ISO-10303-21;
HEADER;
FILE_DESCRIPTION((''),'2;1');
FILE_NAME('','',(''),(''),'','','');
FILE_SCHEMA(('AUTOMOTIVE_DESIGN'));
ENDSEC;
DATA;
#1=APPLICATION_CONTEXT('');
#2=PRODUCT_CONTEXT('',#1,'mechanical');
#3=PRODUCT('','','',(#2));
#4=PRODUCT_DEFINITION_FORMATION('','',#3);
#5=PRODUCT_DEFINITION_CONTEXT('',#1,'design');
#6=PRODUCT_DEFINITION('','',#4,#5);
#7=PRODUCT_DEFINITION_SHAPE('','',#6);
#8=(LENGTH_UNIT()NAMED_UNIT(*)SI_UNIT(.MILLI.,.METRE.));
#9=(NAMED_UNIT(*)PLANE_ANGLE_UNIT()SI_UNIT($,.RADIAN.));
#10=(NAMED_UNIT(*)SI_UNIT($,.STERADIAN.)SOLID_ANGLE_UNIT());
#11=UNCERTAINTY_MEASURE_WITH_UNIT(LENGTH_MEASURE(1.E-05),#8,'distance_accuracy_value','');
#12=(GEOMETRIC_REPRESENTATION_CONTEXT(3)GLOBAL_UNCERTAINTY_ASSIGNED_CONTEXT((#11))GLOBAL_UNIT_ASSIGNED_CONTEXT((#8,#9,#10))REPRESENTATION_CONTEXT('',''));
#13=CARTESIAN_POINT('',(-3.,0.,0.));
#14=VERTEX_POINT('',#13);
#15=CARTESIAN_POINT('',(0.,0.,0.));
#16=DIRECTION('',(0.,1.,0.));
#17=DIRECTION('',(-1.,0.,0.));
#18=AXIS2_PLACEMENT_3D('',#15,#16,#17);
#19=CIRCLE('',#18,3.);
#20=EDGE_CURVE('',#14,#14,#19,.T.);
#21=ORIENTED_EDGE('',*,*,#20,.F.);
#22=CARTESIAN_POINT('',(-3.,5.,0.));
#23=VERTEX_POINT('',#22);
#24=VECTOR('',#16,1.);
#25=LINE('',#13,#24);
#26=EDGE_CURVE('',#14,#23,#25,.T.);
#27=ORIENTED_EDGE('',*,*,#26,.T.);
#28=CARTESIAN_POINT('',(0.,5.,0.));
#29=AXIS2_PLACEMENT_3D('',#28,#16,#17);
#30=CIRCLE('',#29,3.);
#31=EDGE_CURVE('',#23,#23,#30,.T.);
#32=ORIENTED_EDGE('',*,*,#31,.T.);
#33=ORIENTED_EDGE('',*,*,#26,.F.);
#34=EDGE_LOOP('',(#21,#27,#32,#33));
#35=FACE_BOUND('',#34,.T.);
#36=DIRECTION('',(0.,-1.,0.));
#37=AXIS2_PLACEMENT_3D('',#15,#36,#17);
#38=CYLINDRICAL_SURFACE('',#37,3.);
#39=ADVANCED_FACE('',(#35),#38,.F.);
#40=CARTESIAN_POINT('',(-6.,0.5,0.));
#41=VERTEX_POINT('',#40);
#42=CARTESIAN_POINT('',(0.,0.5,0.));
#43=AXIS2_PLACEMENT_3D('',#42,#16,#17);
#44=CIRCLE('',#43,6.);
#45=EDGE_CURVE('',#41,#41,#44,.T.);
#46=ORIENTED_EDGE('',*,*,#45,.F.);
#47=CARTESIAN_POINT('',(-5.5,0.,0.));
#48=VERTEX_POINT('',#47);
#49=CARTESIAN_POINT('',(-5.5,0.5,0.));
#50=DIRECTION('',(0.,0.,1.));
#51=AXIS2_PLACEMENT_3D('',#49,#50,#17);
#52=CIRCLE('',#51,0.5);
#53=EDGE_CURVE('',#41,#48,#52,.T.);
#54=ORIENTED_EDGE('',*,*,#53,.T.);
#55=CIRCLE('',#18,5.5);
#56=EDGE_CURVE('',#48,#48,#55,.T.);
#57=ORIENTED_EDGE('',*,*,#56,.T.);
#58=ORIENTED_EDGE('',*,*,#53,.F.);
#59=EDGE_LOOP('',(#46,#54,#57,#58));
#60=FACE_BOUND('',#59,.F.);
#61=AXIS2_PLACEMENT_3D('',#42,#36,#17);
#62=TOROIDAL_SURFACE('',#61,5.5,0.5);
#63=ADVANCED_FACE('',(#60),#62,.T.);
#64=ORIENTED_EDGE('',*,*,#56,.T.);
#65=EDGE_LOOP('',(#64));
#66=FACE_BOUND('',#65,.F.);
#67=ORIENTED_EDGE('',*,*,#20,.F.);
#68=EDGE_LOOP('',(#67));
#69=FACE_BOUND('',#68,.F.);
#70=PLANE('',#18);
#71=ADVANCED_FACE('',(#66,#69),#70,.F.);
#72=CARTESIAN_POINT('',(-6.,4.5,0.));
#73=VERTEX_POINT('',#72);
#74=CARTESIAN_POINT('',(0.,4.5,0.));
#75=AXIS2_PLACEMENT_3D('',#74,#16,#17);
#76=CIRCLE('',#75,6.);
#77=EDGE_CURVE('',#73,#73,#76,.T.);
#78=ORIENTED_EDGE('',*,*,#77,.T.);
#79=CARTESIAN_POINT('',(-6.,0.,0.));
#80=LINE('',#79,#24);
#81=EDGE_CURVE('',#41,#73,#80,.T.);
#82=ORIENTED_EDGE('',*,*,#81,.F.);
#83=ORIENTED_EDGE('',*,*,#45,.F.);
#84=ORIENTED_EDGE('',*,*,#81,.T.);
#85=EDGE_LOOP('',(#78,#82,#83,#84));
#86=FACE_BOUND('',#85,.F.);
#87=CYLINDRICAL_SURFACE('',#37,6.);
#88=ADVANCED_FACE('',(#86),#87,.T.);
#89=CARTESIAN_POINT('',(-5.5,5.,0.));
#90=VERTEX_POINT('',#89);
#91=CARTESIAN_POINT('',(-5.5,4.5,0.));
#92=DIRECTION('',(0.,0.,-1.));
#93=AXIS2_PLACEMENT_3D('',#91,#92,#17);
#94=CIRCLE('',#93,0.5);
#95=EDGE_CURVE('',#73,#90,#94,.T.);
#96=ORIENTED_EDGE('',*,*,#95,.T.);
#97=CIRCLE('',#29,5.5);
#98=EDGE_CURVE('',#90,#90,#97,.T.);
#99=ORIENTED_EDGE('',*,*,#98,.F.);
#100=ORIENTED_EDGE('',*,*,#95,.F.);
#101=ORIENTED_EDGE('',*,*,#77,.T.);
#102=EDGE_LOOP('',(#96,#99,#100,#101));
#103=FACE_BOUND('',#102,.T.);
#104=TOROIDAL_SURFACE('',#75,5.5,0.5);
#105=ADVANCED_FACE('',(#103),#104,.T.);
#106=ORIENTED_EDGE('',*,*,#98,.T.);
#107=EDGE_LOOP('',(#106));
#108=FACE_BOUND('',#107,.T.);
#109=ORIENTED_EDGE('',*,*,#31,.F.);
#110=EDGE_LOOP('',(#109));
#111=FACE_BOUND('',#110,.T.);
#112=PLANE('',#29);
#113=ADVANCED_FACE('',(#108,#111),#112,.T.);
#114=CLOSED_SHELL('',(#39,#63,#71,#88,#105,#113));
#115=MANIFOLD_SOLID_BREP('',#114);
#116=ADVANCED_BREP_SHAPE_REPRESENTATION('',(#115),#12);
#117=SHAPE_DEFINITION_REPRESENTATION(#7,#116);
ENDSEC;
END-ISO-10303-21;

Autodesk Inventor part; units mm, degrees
ref_plane "YZ Plane" through (0, 0, 0) normal (1, 0, 0) x (0, 1, 0)
ref_plane "XZ Plane" through (0, 0, 0) normal (0, 1, 0) x (-1, 0, 0)
ref_plane "XY Plane" through (0, 0, 0) normal (0, 0, 1) x (1, 0, 0)
sketch "スケッチ1" plane through (0, 0, 0) normal (0, 1, 0) x (-1, 0, 0)
  circle A0 centre (0, 0) radius 3
  circle A1 centre (0, 0) radius 6
  dimension "d0" = 6
  dimension "d1" = 12
extrude "押し出し1" add sketch "スケッチ1" along normal blind 5
fillet "フィレット1" radius 0.5 1 edges at (6, 5, 0)
fillet "フィレット2" radius 0.5 1 edges at (6, 0, 0)
properties part number "セットカラー 内径6 外径12 幅5" material "アルミニウム 6061"
